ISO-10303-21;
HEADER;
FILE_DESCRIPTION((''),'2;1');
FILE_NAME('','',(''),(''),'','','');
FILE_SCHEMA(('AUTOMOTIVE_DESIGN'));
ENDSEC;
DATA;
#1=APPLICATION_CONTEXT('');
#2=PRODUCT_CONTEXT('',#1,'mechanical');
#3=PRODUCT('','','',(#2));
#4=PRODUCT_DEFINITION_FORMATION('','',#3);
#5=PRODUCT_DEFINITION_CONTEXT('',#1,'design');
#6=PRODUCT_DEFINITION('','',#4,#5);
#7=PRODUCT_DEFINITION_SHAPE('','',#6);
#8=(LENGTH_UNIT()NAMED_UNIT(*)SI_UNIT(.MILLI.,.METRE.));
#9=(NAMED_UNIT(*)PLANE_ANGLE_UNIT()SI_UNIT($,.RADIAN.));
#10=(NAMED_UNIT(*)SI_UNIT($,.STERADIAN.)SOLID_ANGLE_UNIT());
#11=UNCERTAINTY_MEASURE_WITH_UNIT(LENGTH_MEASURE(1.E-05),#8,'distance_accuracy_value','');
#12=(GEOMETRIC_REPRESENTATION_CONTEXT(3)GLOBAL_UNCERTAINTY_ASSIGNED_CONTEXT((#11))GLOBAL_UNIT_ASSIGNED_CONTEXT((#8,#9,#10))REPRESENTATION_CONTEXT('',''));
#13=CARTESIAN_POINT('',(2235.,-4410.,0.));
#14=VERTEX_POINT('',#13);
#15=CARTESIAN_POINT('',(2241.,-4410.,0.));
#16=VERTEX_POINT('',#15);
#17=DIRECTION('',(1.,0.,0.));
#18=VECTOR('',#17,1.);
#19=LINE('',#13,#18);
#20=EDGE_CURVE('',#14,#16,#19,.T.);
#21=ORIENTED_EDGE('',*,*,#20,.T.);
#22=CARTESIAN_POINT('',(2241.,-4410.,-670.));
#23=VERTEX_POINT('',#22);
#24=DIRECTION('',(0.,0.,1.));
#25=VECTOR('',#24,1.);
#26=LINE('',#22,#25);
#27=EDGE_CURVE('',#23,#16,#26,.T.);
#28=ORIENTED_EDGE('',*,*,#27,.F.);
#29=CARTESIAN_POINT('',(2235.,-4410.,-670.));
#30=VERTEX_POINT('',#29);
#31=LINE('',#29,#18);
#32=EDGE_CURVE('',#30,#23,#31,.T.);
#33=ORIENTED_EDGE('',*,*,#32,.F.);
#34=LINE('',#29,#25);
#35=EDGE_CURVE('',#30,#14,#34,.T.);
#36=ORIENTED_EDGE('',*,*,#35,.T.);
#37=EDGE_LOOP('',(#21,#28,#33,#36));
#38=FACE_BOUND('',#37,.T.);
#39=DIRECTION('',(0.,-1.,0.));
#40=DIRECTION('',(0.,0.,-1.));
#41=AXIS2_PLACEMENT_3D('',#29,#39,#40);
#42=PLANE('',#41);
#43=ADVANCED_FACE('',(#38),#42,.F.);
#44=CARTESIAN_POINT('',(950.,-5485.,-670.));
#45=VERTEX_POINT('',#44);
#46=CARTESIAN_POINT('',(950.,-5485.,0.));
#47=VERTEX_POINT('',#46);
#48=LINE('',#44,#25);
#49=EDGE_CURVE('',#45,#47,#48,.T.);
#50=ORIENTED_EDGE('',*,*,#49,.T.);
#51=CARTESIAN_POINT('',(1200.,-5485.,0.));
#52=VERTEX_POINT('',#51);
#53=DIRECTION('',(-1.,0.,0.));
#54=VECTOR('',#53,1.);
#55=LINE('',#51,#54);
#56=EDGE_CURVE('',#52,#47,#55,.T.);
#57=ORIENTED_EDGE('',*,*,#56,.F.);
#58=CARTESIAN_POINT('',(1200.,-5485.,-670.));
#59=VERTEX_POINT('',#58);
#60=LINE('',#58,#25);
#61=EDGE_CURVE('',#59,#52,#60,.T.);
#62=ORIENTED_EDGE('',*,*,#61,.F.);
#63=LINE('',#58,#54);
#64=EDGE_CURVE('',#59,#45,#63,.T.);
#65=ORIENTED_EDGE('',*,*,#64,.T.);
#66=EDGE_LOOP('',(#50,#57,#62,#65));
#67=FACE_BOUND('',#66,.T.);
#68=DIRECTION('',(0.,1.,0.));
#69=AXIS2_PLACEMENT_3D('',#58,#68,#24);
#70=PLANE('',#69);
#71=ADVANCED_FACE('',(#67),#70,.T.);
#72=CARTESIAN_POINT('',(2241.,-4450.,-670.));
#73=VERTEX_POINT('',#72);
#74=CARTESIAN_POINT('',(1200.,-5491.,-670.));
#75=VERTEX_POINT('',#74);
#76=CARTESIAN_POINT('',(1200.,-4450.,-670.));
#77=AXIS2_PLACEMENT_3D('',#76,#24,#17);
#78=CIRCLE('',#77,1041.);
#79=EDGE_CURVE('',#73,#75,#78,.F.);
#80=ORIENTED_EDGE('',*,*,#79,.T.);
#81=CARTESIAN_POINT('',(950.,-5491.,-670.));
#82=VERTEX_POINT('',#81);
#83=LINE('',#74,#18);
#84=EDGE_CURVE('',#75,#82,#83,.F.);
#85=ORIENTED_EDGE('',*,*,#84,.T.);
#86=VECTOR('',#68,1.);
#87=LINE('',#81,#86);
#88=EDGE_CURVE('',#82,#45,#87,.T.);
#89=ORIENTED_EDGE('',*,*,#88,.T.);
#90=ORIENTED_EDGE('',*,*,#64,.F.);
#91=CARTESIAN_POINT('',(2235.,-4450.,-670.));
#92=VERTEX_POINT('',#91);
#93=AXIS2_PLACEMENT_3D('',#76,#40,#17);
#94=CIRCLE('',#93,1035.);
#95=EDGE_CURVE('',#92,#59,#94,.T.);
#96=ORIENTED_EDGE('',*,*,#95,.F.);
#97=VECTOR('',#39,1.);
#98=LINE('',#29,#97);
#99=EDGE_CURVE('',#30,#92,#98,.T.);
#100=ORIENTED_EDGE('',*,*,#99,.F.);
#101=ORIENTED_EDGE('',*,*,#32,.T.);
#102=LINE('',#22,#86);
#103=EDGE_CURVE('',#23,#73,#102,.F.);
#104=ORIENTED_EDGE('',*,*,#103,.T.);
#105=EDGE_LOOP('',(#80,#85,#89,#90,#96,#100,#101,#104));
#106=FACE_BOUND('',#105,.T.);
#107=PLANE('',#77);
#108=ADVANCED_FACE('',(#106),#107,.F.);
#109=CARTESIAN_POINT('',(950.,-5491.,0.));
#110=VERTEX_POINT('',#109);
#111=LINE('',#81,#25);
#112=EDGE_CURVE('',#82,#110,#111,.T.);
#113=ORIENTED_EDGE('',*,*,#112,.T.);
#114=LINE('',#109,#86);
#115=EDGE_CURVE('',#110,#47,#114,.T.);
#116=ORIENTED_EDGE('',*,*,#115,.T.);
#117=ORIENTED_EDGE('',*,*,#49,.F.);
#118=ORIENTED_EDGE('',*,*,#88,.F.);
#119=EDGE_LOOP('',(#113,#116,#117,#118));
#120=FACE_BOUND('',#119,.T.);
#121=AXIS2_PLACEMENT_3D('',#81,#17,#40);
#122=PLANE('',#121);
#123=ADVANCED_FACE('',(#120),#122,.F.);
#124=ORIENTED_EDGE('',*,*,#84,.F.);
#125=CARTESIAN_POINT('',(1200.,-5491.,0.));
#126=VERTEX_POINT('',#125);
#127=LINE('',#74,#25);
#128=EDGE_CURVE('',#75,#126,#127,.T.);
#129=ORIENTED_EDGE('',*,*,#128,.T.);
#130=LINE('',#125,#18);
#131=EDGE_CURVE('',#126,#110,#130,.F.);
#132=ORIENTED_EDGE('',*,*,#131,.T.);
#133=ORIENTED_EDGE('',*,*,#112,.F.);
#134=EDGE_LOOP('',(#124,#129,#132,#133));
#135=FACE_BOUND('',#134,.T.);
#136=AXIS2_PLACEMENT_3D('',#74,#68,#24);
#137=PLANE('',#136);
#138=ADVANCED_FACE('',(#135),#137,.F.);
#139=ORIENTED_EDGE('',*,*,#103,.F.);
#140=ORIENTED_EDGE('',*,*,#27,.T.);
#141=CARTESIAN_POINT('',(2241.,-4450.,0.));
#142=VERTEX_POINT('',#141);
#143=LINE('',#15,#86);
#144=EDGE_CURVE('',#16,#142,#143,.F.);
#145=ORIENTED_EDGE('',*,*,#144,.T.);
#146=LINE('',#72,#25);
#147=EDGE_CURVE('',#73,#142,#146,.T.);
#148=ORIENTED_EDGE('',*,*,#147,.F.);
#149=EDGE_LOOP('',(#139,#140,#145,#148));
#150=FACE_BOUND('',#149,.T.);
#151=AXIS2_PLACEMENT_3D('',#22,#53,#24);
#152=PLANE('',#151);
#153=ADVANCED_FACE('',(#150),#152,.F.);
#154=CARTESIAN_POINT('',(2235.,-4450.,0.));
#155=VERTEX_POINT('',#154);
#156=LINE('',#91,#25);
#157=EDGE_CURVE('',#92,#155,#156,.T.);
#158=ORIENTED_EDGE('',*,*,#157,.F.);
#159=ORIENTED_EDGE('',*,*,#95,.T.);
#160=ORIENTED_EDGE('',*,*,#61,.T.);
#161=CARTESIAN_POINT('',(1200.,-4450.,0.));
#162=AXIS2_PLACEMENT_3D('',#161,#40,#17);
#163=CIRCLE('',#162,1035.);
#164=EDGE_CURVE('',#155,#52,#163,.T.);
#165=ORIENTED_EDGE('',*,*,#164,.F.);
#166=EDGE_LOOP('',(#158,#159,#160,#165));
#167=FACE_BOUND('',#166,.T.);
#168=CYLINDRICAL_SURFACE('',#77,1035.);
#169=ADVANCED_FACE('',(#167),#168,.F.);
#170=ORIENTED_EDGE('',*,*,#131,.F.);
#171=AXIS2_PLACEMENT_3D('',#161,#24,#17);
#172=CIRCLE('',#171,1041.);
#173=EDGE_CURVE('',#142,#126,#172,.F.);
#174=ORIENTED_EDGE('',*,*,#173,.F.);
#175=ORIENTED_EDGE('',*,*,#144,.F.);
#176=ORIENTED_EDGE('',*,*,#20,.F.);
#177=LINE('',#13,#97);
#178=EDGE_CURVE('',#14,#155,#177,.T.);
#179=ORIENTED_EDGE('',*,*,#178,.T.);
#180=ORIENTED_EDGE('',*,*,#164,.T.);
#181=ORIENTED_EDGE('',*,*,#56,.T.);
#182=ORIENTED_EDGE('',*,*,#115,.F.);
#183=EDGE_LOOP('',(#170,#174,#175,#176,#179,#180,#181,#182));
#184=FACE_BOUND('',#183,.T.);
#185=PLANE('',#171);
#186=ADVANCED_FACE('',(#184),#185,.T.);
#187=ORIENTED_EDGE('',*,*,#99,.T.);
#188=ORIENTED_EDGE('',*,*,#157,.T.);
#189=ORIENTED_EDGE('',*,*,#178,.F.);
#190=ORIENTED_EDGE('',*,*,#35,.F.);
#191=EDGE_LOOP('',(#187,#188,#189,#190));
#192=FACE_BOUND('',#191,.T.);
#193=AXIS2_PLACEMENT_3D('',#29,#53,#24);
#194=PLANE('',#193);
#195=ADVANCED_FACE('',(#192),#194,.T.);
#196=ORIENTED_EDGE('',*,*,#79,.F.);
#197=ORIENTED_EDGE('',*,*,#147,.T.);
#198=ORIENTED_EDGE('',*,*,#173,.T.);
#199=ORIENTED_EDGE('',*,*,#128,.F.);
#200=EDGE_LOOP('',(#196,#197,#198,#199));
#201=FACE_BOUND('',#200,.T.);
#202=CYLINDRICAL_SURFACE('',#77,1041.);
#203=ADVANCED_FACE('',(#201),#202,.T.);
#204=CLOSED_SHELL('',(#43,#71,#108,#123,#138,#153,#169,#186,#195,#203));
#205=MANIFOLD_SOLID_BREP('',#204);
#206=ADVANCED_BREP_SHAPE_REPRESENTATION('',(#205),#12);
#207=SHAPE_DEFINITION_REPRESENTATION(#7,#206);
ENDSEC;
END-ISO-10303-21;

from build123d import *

# Parameters (mm, degrees)
EXTRUDE_THIN1_DEPTH = 670


with BuildPart() as part:
    # Sketch1 → Extrude-Thin1 (new body)
    with BuildSketch(Plane.XY):
        with BuildLine():
            Line((2235, -4410), (2235, -4450))
            ThreePointArc((2235, -4450), (1931.855518528, -5181.855518528), (1200, -5485))
            Line((1200, -5485), (950, -5485))
            Line((950, -5485), (950, -5491))
            Line((950, -5491), (1200, -5491))
            ThreePointArc((1200, -5491), (1936.098159215, -5186.098159215), (2241, -4450))
            Line((2241, -4450), (2241, -4410))
            Line((2241, -4410), (2235, -4410))
        make_face()
    extrude(amount=-EXTRUDE_THIN1_DEPTH)


solid = part.part
